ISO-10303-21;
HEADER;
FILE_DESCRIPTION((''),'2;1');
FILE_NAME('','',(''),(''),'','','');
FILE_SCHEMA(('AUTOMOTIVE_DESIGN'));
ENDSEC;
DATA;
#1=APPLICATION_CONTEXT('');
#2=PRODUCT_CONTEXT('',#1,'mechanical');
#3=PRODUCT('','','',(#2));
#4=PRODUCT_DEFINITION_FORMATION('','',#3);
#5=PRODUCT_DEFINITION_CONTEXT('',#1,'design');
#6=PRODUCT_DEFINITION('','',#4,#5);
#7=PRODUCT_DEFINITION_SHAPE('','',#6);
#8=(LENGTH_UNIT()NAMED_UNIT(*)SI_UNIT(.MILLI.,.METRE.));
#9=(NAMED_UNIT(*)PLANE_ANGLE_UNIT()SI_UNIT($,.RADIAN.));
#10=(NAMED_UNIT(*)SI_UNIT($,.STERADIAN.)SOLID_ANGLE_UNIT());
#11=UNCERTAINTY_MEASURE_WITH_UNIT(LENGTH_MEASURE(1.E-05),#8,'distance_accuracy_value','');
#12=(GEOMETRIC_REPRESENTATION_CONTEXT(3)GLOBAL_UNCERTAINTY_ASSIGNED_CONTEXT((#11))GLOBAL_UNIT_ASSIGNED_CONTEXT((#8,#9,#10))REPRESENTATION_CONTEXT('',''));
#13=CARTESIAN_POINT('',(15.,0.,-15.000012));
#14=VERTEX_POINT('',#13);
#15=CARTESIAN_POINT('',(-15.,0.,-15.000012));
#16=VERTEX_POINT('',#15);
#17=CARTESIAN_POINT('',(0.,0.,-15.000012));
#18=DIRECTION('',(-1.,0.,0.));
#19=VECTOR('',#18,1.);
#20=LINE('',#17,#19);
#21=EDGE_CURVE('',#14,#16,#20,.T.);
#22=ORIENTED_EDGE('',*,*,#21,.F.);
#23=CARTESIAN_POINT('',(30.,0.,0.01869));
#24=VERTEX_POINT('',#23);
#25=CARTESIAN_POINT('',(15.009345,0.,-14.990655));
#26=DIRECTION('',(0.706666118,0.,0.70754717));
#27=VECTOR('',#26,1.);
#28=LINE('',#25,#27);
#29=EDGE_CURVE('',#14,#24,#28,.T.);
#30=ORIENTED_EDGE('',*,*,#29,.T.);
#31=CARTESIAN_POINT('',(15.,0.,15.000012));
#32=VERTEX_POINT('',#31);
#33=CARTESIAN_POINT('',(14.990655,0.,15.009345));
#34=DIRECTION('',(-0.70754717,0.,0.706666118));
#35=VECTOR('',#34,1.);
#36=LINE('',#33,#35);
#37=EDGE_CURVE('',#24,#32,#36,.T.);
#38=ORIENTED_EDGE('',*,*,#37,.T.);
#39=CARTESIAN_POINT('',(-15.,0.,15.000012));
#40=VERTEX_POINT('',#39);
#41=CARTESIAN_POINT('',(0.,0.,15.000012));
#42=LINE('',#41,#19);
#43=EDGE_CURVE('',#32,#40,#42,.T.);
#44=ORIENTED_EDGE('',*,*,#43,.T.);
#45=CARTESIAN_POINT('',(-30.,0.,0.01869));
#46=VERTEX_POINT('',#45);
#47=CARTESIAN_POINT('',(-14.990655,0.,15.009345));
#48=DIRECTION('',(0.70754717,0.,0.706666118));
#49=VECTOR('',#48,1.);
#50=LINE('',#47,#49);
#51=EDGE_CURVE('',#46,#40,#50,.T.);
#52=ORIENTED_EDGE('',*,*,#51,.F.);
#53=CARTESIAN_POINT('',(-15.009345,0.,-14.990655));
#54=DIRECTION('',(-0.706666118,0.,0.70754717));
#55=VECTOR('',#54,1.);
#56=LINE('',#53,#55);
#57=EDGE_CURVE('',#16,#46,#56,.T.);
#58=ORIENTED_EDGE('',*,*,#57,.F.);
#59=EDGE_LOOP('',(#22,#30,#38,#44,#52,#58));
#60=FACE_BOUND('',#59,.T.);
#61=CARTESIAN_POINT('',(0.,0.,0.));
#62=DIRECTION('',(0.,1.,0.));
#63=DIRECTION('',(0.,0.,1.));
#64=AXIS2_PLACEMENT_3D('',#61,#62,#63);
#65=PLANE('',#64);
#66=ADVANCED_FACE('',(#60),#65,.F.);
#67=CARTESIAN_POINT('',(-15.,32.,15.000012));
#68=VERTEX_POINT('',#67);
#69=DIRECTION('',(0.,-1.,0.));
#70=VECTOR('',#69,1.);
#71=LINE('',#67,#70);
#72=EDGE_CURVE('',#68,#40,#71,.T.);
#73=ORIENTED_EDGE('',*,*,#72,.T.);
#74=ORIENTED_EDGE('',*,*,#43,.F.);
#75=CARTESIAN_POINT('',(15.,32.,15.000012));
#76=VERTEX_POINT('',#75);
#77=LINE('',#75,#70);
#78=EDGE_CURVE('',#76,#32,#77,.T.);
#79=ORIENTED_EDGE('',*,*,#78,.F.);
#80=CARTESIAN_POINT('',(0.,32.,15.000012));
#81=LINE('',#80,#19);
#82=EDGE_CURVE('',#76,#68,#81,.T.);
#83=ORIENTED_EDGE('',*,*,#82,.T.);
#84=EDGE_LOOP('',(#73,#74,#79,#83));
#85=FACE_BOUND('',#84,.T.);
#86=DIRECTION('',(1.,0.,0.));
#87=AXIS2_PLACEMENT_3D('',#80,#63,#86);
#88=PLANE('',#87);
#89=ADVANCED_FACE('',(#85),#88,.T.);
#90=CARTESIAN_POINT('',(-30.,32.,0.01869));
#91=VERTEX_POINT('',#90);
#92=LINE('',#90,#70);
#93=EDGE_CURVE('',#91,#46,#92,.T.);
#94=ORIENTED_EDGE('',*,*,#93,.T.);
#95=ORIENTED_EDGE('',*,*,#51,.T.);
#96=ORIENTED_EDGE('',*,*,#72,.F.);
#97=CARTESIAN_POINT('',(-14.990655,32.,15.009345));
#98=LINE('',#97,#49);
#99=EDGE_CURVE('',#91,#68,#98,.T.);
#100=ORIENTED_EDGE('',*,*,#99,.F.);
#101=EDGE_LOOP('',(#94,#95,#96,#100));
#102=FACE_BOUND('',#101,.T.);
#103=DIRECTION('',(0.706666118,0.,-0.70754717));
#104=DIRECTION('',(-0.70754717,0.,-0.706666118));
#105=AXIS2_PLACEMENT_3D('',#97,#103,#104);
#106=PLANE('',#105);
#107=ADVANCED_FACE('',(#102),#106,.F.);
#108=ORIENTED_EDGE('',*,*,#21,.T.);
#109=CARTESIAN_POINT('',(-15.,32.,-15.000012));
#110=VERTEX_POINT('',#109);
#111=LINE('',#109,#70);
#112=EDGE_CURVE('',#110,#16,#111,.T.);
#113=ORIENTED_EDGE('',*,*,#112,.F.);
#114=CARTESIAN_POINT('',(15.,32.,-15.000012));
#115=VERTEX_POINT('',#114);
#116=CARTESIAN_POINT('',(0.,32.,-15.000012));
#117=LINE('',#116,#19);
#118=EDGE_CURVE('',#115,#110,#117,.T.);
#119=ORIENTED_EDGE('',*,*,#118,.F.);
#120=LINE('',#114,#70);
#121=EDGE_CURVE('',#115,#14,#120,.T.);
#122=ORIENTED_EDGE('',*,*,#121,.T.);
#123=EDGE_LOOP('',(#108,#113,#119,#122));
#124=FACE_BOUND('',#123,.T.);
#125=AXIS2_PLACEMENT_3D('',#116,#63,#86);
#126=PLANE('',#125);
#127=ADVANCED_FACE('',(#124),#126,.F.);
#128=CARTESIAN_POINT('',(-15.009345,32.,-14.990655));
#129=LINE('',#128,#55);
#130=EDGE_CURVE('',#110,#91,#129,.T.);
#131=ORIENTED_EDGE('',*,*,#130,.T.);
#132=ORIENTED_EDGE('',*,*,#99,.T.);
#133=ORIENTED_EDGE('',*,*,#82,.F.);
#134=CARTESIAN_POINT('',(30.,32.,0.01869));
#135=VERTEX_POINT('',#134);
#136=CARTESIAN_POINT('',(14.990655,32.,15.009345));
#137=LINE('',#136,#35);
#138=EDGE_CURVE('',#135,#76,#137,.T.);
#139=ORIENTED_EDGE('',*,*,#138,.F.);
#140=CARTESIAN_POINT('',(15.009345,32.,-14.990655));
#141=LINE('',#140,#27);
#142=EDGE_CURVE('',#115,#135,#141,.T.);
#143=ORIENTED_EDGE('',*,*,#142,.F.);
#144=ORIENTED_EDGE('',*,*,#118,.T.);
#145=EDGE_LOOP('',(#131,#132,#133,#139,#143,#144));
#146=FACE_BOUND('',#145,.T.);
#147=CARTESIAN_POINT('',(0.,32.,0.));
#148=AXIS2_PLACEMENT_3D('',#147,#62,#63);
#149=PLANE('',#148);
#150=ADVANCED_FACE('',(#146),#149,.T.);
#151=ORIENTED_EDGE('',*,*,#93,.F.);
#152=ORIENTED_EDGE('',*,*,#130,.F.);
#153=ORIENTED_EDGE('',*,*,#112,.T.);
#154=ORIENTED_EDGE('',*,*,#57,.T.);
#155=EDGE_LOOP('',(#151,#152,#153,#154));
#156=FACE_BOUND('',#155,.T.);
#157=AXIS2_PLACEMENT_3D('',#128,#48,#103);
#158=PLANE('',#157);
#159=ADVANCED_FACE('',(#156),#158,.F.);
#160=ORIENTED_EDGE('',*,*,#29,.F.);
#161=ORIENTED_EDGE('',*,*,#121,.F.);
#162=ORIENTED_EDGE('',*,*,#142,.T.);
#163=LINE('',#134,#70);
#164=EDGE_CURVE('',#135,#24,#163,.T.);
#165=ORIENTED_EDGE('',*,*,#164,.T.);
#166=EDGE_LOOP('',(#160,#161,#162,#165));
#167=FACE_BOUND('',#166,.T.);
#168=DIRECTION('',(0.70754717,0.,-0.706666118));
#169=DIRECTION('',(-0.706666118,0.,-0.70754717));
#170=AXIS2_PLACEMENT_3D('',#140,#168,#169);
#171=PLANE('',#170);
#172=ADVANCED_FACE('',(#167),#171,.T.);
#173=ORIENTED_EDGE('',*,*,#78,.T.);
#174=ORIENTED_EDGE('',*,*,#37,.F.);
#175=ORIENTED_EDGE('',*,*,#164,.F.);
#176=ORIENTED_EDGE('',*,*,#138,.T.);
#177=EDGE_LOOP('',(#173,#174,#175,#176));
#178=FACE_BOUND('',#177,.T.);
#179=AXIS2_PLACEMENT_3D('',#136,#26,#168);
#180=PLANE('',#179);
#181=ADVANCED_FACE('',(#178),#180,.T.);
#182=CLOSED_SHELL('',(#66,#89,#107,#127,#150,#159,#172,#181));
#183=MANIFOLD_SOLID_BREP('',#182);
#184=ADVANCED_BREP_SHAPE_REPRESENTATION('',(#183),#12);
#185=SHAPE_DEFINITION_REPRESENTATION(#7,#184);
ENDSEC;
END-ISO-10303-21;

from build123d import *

# Parameters (mm, degrees)
SKETCH1_W           = 30
SKETCH1_H           = 30.000023288
BOSS_EXTRUDE2_DEPTH = 32


with BuildPart() as part:
    # Sketch1 → Boss-Extrude2 (new body)
    with BuildSketch(Plane(origin=(0, 0, 0), x_dir=(1, 0, 0), z_dir=(0, 1, 0))):
        Polygon((-15, 15.000011644), (-15, -15.000011644), (-30, -0.01868994), align=None)
        Rectangle(SKETCH1_W, SKETCH1_H)
        Polygon((30, -0.01868994), (15, -15.000011644), (15, 15.000011644), align=None)
    extrude(amount=BOSS_EXTRUDE2_DEPTH)


solid = part.part
